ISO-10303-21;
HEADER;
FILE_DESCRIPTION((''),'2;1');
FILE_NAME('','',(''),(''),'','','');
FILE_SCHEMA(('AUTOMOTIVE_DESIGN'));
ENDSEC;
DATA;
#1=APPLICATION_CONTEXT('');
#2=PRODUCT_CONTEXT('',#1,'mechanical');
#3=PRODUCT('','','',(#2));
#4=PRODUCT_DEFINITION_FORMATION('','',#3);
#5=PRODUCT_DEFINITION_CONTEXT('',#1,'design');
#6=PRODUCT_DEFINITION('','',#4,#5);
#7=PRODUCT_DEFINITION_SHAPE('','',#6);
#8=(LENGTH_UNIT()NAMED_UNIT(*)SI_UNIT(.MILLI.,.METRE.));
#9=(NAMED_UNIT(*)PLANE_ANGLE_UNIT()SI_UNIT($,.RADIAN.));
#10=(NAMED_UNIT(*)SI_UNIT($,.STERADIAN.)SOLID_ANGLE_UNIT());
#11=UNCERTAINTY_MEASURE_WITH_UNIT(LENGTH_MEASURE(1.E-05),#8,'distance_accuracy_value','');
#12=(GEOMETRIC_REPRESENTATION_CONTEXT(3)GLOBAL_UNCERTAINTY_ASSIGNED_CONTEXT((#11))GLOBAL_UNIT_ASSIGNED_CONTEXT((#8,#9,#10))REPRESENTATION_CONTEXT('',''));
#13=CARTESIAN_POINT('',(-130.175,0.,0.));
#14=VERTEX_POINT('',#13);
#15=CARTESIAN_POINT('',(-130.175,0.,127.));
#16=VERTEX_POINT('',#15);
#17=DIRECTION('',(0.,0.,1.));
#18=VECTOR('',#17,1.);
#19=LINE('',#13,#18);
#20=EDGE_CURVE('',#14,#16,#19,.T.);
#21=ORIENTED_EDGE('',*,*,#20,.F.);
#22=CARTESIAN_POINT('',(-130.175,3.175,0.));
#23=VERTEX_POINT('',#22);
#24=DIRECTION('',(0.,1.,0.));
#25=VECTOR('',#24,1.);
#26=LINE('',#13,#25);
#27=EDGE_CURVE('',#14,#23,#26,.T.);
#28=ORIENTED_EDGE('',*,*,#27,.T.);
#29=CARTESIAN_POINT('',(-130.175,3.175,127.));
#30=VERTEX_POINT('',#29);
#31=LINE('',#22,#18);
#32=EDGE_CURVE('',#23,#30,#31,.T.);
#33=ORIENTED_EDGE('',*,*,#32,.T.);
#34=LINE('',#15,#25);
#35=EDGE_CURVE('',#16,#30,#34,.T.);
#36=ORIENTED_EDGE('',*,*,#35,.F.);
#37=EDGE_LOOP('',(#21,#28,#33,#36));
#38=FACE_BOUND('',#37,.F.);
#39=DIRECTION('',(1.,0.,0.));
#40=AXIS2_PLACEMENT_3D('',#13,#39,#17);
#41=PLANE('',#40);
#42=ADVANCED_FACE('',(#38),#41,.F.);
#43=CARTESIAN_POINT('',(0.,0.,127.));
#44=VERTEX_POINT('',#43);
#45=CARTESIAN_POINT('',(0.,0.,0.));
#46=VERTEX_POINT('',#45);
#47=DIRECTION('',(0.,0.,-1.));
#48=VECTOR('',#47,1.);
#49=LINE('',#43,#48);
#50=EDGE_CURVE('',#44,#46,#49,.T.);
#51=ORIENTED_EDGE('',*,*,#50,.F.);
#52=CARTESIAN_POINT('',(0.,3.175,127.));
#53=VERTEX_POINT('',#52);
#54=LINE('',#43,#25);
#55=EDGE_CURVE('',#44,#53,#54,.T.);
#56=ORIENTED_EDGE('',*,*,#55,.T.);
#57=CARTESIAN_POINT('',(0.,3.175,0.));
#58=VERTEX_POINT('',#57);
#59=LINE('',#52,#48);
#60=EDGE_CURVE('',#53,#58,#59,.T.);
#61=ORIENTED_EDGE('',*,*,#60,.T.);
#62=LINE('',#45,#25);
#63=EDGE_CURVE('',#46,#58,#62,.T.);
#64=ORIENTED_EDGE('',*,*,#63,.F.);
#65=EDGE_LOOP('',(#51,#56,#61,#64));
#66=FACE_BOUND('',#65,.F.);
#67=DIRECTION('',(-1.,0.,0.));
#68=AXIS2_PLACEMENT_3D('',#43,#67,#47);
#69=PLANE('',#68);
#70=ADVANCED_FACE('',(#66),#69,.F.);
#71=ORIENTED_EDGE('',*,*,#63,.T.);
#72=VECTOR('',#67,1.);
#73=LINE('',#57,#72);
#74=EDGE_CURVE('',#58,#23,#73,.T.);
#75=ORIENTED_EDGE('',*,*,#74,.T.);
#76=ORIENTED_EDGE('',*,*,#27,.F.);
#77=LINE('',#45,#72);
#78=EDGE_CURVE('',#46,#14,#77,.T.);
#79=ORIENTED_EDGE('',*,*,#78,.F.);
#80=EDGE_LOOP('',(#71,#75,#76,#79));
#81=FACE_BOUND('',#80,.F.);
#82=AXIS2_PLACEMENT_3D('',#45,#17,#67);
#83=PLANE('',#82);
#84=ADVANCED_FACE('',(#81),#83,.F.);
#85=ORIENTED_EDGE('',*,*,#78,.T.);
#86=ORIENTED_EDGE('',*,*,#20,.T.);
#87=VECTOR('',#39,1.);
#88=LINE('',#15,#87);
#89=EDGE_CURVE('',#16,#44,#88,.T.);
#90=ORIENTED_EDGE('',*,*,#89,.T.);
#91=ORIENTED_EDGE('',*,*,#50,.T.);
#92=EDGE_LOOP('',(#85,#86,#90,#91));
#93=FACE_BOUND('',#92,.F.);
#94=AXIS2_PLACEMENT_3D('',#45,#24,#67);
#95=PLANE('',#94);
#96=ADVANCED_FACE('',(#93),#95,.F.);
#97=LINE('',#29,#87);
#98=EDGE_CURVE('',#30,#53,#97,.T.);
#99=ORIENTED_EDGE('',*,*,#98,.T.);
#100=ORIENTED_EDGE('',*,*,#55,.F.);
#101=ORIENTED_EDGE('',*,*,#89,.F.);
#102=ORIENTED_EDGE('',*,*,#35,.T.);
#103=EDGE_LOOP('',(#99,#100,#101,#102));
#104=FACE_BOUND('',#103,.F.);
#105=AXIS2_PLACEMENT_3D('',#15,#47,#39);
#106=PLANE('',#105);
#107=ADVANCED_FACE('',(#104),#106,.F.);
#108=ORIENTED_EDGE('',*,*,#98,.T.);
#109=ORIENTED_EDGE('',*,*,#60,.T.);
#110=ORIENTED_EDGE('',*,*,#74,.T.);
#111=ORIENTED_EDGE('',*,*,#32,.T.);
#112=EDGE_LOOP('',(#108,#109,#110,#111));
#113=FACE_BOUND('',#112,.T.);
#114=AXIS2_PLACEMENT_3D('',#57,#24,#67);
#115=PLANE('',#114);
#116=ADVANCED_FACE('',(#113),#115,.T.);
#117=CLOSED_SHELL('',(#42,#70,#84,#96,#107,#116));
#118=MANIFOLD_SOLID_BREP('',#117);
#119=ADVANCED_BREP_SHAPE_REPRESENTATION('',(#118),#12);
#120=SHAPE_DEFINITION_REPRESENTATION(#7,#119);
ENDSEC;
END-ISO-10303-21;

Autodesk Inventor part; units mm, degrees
ref_plane "YZ Plane" through (0, 0, 0) normal (1, 0, 0) x (0, 1, 0)
ref_plane "XZ Plane" through (0, 0, 0) normal (0, 1, 0) x (-1, 0, 0)
ref_plane "XY Plane" through (0, 0, 0) normal (0, 0, 1) x (1, 0, 0)
sketch "Sketch1" plane through (0, 0, 0) normal (0, 1, 0) x (-1, 0, 0)
  line L0 (0, 0) -> (130.175, 0)
  line L1 (130.175, 0) -> (130.175, 127)
  line L2 (130.175, 127) -> (0, 127)
  line L3 (0, 127) -> (0, 0)
  dimension "d0" = 127
  dimension "d1" = 130.175
extrude "Extrusion2" add sketch "Sketch1" along normal blind 3.175
properties part number "8th inch aluminum plate 6x3"
